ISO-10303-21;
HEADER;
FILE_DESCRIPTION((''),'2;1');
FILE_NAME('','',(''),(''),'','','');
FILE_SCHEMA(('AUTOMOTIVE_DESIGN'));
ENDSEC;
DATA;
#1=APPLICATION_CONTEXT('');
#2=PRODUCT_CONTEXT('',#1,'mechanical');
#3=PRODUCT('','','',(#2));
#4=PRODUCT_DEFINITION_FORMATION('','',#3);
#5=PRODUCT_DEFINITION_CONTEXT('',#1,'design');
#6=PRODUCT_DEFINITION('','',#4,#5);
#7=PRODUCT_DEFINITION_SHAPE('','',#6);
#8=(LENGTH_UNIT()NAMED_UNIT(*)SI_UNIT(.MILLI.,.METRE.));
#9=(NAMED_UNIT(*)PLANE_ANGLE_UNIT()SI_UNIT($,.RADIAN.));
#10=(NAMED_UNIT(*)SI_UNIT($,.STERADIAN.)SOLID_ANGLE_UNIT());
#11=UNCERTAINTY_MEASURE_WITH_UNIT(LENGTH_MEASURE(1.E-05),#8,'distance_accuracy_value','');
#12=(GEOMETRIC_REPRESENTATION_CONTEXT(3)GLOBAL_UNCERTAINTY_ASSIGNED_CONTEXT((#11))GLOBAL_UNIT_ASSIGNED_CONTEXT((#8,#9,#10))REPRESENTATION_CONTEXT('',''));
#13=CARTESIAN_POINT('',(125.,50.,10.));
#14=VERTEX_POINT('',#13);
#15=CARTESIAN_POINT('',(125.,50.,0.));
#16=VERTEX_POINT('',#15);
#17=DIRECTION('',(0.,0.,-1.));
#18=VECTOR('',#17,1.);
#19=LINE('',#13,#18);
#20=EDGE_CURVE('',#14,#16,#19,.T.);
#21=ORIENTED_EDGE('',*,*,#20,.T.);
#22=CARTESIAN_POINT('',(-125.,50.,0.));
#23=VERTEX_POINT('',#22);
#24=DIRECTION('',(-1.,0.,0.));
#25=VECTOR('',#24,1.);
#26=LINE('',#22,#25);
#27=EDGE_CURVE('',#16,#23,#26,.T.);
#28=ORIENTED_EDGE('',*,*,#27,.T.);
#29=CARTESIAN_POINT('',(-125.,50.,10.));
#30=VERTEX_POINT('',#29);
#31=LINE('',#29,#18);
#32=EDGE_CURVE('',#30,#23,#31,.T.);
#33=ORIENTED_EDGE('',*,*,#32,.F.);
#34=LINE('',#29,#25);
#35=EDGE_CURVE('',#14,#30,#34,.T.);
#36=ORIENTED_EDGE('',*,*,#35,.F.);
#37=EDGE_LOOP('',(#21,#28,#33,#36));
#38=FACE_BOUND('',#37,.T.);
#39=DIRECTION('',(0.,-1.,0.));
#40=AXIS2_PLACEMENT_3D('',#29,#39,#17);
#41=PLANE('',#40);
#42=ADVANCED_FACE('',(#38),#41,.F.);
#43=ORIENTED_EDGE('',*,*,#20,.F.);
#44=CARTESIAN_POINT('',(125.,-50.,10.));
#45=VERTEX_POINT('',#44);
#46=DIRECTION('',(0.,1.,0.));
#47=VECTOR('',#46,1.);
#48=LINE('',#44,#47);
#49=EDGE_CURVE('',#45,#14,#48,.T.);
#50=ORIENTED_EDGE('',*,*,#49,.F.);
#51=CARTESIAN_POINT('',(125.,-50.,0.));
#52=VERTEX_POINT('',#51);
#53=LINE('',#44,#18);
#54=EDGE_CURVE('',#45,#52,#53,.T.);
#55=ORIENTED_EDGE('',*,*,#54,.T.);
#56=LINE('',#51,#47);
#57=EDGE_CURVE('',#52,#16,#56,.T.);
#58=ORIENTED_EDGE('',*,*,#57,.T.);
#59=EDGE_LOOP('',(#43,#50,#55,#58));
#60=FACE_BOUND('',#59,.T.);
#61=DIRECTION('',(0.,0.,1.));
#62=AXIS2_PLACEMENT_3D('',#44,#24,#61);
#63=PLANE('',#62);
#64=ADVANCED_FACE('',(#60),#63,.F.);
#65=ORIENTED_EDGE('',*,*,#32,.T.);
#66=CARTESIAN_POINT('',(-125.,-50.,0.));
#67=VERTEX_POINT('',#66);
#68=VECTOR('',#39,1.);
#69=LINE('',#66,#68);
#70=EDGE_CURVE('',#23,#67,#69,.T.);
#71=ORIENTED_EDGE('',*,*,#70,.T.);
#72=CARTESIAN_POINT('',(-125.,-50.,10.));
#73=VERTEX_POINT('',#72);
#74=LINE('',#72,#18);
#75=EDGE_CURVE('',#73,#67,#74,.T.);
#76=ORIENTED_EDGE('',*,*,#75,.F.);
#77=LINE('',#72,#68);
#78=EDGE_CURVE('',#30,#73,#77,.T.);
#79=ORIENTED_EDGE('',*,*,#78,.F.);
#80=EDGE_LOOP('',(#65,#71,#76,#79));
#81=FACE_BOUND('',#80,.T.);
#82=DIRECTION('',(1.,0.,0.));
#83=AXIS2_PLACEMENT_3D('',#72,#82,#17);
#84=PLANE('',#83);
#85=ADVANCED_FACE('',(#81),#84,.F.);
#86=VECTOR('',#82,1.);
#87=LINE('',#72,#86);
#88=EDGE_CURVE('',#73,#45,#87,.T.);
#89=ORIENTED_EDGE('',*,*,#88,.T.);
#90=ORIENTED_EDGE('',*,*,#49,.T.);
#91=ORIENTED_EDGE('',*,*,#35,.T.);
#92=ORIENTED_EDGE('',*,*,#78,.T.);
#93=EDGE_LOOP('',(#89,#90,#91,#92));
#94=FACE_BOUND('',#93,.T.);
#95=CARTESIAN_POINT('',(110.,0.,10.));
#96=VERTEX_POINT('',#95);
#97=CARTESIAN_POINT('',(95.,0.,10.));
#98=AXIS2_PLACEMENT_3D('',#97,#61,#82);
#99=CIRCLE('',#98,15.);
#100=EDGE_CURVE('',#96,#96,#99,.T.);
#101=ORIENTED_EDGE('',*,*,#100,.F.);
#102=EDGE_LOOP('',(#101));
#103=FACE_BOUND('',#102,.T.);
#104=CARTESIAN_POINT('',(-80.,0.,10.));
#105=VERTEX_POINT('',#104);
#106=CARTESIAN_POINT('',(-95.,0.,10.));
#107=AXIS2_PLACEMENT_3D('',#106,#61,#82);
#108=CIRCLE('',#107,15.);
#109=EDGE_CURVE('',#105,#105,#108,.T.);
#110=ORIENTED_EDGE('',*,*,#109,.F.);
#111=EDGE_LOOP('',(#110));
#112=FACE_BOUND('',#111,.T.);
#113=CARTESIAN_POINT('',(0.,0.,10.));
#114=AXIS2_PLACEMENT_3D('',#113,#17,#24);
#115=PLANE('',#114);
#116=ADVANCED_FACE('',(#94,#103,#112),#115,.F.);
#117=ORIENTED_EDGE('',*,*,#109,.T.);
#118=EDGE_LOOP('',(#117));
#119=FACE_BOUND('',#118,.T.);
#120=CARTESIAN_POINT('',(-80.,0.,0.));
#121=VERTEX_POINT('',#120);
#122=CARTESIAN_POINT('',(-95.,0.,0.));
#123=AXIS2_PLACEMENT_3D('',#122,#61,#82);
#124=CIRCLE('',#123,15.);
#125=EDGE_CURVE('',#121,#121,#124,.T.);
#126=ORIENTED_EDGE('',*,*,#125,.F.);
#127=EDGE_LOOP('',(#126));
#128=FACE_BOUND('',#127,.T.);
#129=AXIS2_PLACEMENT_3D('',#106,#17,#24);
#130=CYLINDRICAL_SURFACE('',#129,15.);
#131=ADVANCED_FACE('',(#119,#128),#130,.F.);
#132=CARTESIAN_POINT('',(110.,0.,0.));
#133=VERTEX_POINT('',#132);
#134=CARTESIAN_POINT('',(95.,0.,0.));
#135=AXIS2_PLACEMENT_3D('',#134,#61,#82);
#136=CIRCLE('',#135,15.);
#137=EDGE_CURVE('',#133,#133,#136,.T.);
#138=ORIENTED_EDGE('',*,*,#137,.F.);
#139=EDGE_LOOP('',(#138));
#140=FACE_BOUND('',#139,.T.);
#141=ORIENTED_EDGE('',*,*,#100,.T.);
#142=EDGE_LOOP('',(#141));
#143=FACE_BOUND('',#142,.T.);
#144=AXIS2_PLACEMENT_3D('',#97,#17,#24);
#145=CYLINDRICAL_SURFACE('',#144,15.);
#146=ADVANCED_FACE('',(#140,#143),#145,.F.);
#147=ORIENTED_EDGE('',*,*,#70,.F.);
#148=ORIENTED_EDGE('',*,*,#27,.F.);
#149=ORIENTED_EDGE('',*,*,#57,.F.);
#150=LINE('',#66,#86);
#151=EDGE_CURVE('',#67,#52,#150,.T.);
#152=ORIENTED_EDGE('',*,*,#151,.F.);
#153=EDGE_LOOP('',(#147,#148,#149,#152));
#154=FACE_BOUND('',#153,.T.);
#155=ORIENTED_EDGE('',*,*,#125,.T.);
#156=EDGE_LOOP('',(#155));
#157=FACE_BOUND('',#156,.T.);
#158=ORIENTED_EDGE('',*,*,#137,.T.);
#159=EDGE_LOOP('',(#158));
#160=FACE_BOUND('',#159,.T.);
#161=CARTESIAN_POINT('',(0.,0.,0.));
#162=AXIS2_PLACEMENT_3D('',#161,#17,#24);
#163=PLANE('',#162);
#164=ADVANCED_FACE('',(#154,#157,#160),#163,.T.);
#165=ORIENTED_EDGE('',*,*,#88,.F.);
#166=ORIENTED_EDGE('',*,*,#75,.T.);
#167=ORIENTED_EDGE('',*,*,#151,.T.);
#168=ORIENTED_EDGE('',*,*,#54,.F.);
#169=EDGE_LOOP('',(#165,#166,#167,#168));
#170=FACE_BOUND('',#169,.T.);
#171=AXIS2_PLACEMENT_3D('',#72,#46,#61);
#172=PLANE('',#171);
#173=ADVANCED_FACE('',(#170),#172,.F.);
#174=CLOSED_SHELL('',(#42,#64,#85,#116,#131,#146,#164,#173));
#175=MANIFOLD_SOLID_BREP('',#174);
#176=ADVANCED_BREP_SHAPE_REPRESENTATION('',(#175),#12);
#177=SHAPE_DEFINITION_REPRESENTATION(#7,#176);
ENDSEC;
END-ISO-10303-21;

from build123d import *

# Parameters (mm, degrees)
SKETCH_1_W      = 250
SKETCH_1_H      = 100
SKETCH_1_R      = 15
EXTRUDE_1_DEPTH = 10


with BuildPart() as part:
    # Эскиз1 → Бобышка-Вытянуть1 (new body)
    with BuildSketch(Plane.XY):
        Rectangle(SKETCH_1_W, SKETCH_1_H)
        with Locations((-95, 0)):
            Circle(SKETCH_1_R, mode=Mode.SUBTRACT)
        with Locations((95, 0)):
            Circle(SKETCH_1_R, mode=Mode.SUBTRACT)
    extrude(amount=EXTRUDE_1_DEPTH)


solid = part.part
